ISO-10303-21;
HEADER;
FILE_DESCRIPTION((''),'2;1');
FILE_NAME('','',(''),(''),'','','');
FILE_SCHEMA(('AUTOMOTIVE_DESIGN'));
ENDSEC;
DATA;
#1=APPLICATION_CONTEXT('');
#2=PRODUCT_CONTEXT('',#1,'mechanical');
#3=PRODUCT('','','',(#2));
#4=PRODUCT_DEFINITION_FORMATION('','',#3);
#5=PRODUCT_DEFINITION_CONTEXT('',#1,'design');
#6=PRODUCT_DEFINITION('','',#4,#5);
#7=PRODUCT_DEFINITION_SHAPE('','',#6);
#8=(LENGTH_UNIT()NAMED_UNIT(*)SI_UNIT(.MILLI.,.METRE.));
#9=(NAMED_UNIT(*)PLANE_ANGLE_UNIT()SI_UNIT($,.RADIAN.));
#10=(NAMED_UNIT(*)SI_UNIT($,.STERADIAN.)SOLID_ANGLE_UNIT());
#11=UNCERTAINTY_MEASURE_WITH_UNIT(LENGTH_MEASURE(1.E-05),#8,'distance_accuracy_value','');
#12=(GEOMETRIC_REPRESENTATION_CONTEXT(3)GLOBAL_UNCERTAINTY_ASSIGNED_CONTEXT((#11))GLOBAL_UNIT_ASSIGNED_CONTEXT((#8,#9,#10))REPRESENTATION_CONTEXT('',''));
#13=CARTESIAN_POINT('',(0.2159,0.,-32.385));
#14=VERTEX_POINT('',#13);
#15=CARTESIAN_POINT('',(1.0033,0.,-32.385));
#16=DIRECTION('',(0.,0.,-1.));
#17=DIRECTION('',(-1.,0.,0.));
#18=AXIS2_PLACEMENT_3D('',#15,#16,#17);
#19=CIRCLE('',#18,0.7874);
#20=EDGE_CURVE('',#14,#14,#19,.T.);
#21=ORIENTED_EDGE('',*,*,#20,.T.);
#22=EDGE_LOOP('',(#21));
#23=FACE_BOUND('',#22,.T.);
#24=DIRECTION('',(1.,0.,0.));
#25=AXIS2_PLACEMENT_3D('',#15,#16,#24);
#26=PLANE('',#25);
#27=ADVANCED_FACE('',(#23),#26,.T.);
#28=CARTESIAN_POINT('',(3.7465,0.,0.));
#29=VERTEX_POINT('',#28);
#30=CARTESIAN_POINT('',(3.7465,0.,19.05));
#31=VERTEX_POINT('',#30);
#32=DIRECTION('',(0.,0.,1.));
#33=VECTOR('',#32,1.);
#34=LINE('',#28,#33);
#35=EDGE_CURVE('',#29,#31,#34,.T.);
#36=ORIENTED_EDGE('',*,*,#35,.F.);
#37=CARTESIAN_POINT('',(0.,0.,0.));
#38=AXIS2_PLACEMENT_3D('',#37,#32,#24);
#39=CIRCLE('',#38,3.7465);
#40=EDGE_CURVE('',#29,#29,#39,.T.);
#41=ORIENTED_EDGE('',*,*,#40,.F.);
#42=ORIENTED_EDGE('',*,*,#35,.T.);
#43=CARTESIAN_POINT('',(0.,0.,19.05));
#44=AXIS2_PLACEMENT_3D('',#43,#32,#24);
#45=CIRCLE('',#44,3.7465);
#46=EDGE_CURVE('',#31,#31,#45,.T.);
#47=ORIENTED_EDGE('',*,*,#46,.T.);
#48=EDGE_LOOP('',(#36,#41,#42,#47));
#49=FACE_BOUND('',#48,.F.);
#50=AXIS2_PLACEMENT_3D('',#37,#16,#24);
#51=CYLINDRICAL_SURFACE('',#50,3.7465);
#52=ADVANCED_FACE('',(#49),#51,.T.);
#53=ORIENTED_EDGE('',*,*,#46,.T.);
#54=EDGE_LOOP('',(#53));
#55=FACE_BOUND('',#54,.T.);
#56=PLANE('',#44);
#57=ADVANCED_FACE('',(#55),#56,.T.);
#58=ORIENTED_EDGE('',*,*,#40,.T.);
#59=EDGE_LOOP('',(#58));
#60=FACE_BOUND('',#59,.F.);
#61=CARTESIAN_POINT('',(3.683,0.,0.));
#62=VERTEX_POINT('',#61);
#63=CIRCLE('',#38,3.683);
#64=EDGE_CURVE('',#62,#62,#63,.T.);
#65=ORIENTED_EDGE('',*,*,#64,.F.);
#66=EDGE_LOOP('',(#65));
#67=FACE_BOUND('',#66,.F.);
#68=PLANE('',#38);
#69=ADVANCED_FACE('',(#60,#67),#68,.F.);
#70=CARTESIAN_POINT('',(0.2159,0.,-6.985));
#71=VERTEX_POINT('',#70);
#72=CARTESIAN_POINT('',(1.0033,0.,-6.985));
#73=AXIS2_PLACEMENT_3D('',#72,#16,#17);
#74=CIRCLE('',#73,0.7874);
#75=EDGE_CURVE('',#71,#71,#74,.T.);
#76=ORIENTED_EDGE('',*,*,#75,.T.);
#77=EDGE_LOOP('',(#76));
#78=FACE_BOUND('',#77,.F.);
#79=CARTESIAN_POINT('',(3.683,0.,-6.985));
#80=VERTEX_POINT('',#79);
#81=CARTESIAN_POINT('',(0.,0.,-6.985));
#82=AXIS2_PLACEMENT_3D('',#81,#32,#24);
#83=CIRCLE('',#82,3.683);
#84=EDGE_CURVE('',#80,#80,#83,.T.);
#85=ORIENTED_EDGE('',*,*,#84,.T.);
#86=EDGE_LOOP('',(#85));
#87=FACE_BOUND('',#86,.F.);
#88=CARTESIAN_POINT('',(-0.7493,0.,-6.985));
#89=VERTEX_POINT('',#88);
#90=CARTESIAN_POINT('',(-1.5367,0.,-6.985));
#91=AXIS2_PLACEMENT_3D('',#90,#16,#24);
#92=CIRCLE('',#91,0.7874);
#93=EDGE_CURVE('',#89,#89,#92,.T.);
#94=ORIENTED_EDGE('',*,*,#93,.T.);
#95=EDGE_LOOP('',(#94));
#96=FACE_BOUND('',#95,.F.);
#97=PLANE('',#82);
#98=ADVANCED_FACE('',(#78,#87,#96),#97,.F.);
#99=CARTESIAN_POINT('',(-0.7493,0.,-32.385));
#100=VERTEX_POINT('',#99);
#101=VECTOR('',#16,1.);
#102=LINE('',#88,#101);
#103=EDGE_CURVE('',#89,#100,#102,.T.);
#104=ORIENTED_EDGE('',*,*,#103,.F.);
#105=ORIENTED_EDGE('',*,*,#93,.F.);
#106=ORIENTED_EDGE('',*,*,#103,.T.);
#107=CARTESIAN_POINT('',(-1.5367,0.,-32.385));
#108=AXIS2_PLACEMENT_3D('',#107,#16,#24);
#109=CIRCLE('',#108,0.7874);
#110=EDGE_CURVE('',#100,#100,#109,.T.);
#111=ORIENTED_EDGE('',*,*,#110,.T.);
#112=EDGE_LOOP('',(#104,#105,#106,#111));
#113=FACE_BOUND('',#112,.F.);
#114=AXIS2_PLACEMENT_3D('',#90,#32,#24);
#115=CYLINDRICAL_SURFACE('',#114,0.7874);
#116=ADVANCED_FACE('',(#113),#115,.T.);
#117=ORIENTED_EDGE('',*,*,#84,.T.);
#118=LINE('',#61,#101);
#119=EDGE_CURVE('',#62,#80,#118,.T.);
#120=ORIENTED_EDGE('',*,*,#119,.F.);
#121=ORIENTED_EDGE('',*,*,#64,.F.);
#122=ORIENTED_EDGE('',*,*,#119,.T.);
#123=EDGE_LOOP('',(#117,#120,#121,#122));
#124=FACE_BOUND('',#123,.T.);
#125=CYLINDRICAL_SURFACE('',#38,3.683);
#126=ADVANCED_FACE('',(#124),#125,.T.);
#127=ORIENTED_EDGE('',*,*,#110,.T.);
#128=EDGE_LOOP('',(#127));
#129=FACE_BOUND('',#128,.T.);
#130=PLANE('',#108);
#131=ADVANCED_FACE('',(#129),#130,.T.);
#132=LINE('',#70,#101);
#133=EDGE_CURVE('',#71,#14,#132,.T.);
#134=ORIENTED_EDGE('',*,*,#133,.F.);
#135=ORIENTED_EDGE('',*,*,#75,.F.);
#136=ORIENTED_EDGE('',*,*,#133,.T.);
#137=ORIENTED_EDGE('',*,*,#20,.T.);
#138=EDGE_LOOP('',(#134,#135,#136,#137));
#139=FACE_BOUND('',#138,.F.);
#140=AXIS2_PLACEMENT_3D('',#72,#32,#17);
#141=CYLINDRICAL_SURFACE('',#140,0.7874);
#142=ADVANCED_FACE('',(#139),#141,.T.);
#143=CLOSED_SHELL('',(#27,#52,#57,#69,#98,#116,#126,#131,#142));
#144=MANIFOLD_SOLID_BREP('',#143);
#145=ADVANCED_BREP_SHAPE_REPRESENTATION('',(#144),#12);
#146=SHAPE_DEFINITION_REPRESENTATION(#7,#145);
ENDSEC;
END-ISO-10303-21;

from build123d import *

# Parameters (mm, degrees)
F0_R     = 3.683
F1_DEPTH = 6.985
F2_R     = 0.7874
F3_DEPTH = 25.4
F4_R     = 3.7465
F5_DEPTH = 19.05


with BuildPart() as f1:
    # F0 (on Top) → F1 (new body)
    with BuildSketch(Plane.XY):
        Circle(F0_R)
    extrude(amount=-F1_DEPTH)

    # F2 (on face) → F3 (join)
    with BuildSketch(Plane(origin=(0, 0, -6.985), x_dir=(1, 0, 0), z_dir=(0, 0, -1))):
        with BuildLine():
            ThreePointArc((1.7907, 0), (1.0033, 0.7874), (0.2159, 0))
            ThreePointArc((0.2159, 0), (1.0033, -0.7874), (1.7907, 0))
        make_face()
        with Locations((-1.5367, 0)):
            Circle(F2_R)
    extrude(amount=F3_DEPTH)

    # F4 (on face) → F5 (join)
    with BuildSketch(Plane.XY):
        Circle(F4_R)
    extrude(amount=F5_DEPTH)


solid = f1.part
